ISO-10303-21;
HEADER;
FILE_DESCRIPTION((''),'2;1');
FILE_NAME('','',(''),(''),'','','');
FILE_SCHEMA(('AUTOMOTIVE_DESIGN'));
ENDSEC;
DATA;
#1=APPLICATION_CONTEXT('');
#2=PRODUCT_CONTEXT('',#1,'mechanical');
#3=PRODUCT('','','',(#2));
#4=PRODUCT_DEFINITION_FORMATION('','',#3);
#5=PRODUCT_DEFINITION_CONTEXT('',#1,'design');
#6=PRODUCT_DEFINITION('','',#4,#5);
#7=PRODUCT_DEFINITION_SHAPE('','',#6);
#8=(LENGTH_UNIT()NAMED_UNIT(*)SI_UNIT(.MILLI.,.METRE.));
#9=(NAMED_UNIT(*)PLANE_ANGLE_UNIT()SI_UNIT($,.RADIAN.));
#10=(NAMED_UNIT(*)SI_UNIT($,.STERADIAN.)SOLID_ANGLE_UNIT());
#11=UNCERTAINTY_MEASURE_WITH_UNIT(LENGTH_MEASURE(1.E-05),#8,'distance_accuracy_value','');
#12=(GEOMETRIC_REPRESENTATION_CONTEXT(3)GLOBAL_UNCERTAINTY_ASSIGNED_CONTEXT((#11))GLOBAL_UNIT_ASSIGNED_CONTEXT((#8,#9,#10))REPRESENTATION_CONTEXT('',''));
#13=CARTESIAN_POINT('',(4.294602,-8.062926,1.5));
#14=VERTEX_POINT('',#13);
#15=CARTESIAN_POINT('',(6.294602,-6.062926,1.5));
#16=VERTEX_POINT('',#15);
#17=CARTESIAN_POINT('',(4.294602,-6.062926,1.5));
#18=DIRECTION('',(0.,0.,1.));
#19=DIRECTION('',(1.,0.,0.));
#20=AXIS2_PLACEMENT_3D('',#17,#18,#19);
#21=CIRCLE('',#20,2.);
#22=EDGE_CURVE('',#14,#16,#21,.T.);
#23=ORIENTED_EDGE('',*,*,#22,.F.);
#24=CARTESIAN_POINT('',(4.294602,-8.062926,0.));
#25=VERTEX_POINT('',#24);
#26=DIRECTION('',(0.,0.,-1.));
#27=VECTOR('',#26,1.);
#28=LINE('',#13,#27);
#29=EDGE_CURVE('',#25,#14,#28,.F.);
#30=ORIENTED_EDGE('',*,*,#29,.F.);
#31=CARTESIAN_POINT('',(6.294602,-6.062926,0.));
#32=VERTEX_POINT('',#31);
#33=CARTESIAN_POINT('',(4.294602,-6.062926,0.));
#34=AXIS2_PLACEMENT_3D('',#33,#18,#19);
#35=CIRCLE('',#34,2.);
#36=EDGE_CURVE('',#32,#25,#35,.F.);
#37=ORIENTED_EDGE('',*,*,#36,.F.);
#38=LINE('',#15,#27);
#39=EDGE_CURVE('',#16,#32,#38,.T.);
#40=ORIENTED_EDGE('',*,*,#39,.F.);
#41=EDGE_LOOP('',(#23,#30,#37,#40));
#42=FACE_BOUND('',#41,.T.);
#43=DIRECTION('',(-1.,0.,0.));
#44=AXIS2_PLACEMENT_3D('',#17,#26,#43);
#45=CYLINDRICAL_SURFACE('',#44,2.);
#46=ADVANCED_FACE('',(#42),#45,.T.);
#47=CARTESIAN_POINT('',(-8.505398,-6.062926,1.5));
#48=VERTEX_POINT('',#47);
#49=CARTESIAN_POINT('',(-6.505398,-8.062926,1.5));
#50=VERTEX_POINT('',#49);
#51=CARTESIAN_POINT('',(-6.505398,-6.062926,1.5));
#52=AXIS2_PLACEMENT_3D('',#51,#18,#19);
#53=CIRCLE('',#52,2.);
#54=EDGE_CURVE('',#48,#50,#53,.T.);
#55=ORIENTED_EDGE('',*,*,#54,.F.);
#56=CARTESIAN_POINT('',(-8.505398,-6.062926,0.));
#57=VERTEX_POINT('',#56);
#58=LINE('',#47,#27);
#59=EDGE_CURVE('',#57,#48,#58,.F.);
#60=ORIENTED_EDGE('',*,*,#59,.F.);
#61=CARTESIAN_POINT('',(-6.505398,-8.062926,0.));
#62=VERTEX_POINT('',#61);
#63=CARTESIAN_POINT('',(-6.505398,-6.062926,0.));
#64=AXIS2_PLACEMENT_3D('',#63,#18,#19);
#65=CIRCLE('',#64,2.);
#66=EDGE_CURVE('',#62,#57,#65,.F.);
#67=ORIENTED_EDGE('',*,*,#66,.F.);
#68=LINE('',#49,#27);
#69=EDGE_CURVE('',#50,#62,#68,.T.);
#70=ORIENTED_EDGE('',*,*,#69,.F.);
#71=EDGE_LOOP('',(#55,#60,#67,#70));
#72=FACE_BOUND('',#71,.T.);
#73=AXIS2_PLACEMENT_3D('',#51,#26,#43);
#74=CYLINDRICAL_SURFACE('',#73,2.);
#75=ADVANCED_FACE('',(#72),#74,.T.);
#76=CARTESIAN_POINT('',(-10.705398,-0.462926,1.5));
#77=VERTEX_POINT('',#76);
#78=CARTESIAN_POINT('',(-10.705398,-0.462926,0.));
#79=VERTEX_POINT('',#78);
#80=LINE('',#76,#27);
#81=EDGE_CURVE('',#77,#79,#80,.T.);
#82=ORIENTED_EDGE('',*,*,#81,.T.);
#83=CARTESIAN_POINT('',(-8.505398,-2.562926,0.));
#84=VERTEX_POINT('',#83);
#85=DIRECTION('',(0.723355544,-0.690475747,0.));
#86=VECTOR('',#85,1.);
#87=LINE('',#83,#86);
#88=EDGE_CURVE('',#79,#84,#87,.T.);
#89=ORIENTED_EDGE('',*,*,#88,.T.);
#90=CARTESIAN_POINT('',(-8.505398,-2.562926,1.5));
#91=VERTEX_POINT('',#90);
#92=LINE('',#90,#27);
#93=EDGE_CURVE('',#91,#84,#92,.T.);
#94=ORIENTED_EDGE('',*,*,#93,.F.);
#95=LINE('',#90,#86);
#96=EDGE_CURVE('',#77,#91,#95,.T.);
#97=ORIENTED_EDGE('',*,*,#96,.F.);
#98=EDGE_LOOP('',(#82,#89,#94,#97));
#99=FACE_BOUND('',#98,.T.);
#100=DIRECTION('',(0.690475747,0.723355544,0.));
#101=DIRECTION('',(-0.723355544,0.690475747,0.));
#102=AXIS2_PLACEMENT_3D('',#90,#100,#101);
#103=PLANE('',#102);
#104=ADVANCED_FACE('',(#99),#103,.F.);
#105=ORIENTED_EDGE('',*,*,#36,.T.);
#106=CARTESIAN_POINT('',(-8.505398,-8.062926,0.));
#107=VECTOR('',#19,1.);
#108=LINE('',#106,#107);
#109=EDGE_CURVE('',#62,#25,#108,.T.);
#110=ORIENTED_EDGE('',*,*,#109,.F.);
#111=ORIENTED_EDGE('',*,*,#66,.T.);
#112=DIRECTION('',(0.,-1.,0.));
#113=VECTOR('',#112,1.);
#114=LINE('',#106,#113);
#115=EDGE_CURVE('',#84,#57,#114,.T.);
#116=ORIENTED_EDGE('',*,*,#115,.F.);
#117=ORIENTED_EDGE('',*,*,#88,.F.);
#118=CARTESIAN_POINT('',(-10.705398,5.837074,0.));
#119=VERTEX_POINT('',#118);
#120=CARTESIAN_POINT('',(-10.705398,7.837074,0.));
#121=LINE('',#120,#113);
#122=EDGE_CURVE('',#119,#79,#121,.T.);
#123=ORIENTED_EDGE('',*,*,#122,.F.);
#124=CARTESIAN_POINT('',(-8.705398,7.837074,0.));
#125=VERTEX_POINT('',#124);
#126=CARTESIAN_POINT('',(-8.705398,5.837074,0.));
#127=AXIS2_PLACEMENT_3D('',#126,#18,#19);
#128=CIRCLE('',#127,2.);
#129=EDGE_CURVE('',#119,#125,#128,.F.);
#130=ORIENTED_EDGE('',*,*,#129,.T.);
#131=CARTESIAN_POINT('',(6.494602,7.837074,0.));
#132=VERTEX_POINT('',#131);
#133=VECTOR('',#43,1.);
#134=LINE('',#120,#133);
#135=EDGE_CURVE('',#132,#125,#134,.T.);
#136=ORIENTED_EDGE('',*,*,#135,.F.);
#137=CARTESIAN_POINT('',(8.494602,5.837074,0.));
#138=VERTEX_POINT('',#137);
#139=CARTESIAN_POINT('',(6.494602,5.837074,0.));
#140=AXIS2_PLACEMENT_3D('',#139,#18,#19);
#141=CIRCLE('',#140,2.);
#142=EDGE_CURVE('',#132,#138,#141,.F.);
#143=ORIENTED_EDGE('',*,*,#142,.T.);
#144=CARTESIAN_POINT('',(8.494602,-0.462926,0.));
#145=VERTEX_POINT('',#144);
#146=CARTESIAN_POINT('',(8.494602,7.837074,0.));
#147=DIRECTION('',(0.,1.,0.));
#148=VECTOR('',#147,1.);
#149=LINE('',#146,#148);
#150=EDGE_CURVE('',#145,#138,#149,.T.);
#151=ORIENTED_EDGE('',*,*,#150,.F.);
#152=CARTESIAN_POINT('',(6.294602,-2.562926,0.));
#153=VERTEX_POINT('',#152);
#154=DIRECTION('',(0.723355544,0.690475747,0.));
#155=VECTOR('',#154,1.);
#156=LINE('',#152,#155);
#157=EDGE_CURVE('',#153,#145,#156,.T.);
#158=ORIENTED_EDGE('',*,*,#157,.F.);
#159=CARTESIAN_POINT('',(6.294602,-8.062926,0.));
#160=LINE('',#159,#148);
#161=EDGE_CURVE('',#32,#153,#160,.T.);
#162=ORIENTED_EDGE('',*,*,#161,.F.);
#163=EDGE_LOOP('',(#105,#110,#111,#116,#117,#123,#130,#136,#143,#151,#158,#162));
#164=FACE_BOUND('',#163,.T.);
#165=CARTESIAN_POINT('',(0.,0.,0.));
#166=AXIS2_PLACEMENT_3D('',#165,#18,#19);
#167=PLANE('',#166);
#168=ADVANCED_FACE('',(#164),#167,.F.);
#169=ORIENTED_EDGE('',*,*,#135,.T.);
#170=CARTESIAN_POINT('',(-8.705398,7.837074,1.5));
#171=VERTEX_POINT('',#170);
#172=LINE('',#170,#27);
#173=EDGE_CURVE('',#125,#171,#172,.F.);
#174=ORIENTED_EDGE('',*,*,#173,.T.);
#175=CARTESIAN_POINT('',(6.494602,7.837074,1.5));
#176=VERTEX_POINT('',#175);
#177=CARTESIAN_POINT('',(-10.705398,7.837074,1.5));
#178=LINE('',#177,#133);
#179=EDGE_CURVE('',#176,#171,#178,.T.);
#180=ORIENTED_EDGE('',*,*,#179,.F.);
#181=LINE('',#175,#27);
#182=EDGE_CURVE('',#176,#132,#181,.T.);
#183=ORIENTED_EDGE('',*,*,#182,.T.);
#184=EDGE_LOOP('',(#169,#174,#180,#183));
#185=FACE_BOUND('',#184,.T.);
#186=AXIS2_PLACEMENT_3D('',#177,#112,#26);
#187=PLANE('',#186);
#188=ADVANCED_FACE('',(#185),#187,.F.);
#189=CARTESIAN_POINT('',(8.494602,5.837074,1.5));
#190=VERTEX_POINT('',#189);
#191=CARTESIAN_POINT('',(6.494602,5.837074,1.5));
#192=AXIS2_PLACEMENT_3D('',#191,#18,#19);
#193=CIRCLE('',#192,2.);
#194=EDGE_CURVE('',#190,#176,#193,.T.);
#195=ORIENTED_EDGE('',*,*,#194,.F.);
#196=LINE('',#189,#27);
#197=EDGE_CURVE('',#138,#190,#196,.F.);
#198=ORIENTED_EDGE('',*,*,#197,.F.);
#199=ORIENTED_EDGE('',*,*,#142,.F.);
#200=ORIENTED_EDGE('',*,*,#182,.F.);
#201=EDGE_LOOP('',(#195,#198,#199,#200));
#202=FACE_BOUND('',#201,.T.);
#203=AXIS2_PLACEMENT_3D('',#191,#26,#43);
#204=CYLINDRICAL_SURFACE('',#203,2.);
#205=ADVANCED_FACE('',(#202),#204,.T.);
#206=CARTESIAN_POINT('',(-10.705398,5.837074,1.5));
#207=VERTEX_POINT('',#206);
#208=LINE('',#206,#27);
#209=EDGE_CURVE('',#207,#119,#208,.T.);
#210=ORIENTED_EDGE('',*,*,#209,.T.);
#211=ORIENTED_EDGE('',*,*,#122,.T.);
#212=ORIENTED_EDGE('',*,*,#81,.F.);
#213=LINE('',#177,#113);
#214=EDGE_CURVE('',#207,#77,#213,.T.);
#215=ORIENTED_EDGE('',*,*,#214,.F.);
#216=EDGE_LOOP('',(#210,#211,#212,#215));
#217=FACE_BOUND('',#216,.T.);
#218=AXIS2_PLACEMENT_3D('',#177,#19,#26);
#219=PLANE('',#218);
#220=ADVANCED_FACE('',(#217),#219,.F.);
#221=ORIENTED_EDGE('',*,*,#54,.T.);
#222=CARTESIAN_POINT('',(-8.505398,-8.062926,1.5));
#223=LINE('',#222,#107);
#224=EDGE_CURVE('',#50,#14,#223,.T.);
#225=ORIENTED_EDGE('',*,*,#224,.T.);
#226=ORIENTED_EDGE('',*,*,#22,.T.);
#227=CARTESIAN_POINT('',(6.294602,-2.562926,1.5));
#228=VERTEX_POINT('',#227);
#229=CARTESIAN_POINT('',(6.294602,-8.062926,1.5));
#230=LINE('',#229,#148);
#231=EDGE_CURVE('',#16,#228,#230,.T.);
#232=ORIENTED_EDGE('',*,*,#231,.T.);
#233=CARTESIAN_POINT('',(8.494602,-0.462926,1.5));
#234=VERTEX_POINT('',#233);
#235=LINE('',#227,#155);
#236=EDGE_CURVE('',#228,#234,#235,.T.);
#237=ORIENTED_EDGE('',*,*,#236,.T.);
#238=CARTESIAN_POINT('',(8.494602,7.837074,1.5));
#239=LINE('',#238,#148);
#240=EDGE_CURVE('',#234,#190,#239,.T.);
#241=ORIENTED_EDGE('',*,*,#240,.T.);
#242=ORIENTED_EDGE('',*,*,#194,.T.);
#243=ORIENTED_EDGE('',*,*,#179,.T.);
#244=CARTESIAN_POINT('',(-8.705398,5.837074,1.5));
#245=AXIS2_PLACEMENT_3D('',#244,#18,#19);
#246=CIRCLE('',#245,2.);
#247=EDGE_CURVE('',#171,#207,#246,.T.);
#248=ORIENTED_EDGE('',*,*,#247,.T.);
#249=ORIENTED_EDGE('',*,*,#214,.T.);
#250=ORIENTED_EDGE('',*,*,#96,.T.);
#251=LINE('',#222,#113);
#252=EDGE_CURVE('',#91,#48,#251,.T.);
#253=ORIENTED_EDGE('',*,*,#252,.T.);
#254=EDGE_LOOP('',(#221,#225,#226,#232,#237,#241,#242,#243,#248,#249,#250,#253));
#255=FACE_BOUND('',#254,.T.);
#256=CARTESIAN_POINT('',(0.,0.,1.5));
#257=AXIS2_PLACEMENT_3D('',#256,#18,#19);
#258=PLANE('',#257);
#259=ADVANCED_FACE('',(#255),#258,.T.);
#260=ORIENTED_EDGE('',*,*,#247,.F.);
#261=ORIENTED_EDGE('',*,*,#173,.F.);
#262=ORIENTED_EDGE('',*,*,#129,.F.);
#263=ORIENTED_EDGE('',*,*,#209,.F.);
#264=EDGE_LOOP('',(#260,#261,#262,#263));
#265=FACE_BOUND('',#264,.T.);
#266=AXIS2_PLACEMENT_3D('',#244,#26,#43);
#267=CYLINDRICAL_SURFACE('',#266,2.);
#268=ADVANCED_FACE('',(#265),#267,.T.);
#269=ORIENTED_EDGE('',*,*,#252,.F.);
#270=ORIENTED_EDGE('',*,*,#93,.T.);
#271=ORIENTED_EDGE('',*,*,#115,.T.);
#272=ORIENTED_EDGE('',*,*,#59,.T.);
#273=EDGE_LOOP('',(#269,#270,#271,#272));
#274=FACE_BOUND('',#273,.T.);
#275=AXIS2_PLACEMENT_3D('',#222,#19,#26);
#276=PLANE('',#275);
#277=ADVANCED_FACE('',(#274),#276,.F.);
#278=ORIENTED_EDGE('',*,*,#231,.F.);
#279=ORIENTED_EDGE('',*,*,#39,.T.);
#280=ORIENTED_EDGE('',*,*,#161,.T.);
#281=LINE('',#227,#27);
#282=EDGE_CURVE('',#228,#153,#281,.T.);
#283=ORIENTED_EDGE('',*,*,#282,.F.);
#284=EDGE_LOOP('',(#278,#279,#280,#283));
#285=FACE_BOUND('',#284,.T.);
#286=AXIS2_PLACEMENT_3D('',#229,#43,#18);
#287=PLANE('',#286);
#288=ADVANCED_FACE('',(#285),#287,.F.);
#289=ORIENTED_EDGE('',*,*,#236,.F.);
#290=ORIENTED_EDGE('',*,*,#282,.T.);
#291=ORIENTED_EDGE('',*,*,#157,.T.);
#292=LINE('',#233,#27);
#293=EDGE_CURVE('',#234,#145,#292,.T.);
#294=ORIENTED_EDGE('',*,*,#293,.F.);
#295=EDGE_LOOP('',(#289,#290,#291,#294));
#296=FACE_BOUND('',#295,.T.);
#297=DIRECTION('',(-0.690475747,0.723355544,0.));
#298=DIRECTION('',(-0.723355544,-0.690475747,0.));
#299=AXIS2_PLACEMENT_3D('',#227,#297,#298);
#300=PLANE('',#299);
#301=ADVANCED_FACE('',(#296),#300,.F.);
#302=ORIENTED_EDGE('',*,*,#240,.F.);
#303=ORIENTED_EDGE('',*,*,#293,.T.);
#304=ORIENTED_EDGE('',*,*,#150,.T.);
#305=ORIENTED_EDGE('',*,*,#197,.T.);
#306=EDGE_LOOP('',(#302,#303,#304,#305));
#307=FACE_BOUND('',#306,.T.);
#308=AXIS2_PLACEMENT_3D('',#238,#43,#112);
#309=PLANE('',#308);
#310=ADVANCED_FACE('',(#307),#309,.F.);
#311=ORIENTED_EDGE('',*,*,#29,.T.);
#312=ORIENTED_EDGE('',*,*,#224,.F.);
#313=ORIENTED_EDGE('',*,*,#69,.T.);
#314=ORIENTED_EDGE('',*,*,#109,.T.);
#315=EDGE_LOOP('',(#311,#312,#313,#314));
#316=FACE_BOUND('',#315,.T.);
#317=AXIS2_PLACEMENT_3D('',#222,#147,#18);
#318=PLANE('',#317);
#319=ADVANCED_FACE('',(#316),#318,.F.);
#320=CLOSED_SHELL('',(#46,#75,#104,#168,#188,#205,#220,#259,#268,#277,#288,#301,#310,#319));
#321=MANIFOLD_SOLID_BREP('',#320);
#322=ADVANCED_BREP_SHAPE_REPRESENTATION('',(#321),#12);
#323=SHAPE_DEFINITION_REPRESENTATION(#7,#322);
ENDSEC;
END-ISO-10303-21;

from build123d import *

# Parameters (mm, degrees)
DODANIE_WYCI_GNI_CIE1_DEPTH = 1.5
ZAOKR_GLENIE1_R             = 2


with BuildPart() as part:
    # Szkic1 → Dodanie-wyciągnięcie1 (new body)
    with BuildSketch(Plane.XY):
        Polygon((-10.705397727, 7.837073864), (8.494602273, 7.837073864), (8.494602273, -0.462926136), (6.294602273, -2.562926136), (6.294602273, -8.062926136), (-8.505397727, -8.062926136), (-8.505397727, -2.562926136), (-10.705397727, -0.462926136), align=None)
    extrude(amount=DODANIE_WYCI_GNI_CIE1_DEPTH)

    # Zaokrąglenie1
    zaokr_glenie1_edges = [part.edges().sort_by_distance(p)[0] for p in [
        (-10.705397727, 7.837073864, 0.75),
        (8.494602273, 7.837073864, 0.75),
        (6.294602273, -8.062926136, 0.75),
        (-8.505397727, -8.062926136, 0.75),
    ]]
    fillet(zaokr_glenie1_edges, radius=ZAOKR_GLENIE1_R)


solid = part.part
